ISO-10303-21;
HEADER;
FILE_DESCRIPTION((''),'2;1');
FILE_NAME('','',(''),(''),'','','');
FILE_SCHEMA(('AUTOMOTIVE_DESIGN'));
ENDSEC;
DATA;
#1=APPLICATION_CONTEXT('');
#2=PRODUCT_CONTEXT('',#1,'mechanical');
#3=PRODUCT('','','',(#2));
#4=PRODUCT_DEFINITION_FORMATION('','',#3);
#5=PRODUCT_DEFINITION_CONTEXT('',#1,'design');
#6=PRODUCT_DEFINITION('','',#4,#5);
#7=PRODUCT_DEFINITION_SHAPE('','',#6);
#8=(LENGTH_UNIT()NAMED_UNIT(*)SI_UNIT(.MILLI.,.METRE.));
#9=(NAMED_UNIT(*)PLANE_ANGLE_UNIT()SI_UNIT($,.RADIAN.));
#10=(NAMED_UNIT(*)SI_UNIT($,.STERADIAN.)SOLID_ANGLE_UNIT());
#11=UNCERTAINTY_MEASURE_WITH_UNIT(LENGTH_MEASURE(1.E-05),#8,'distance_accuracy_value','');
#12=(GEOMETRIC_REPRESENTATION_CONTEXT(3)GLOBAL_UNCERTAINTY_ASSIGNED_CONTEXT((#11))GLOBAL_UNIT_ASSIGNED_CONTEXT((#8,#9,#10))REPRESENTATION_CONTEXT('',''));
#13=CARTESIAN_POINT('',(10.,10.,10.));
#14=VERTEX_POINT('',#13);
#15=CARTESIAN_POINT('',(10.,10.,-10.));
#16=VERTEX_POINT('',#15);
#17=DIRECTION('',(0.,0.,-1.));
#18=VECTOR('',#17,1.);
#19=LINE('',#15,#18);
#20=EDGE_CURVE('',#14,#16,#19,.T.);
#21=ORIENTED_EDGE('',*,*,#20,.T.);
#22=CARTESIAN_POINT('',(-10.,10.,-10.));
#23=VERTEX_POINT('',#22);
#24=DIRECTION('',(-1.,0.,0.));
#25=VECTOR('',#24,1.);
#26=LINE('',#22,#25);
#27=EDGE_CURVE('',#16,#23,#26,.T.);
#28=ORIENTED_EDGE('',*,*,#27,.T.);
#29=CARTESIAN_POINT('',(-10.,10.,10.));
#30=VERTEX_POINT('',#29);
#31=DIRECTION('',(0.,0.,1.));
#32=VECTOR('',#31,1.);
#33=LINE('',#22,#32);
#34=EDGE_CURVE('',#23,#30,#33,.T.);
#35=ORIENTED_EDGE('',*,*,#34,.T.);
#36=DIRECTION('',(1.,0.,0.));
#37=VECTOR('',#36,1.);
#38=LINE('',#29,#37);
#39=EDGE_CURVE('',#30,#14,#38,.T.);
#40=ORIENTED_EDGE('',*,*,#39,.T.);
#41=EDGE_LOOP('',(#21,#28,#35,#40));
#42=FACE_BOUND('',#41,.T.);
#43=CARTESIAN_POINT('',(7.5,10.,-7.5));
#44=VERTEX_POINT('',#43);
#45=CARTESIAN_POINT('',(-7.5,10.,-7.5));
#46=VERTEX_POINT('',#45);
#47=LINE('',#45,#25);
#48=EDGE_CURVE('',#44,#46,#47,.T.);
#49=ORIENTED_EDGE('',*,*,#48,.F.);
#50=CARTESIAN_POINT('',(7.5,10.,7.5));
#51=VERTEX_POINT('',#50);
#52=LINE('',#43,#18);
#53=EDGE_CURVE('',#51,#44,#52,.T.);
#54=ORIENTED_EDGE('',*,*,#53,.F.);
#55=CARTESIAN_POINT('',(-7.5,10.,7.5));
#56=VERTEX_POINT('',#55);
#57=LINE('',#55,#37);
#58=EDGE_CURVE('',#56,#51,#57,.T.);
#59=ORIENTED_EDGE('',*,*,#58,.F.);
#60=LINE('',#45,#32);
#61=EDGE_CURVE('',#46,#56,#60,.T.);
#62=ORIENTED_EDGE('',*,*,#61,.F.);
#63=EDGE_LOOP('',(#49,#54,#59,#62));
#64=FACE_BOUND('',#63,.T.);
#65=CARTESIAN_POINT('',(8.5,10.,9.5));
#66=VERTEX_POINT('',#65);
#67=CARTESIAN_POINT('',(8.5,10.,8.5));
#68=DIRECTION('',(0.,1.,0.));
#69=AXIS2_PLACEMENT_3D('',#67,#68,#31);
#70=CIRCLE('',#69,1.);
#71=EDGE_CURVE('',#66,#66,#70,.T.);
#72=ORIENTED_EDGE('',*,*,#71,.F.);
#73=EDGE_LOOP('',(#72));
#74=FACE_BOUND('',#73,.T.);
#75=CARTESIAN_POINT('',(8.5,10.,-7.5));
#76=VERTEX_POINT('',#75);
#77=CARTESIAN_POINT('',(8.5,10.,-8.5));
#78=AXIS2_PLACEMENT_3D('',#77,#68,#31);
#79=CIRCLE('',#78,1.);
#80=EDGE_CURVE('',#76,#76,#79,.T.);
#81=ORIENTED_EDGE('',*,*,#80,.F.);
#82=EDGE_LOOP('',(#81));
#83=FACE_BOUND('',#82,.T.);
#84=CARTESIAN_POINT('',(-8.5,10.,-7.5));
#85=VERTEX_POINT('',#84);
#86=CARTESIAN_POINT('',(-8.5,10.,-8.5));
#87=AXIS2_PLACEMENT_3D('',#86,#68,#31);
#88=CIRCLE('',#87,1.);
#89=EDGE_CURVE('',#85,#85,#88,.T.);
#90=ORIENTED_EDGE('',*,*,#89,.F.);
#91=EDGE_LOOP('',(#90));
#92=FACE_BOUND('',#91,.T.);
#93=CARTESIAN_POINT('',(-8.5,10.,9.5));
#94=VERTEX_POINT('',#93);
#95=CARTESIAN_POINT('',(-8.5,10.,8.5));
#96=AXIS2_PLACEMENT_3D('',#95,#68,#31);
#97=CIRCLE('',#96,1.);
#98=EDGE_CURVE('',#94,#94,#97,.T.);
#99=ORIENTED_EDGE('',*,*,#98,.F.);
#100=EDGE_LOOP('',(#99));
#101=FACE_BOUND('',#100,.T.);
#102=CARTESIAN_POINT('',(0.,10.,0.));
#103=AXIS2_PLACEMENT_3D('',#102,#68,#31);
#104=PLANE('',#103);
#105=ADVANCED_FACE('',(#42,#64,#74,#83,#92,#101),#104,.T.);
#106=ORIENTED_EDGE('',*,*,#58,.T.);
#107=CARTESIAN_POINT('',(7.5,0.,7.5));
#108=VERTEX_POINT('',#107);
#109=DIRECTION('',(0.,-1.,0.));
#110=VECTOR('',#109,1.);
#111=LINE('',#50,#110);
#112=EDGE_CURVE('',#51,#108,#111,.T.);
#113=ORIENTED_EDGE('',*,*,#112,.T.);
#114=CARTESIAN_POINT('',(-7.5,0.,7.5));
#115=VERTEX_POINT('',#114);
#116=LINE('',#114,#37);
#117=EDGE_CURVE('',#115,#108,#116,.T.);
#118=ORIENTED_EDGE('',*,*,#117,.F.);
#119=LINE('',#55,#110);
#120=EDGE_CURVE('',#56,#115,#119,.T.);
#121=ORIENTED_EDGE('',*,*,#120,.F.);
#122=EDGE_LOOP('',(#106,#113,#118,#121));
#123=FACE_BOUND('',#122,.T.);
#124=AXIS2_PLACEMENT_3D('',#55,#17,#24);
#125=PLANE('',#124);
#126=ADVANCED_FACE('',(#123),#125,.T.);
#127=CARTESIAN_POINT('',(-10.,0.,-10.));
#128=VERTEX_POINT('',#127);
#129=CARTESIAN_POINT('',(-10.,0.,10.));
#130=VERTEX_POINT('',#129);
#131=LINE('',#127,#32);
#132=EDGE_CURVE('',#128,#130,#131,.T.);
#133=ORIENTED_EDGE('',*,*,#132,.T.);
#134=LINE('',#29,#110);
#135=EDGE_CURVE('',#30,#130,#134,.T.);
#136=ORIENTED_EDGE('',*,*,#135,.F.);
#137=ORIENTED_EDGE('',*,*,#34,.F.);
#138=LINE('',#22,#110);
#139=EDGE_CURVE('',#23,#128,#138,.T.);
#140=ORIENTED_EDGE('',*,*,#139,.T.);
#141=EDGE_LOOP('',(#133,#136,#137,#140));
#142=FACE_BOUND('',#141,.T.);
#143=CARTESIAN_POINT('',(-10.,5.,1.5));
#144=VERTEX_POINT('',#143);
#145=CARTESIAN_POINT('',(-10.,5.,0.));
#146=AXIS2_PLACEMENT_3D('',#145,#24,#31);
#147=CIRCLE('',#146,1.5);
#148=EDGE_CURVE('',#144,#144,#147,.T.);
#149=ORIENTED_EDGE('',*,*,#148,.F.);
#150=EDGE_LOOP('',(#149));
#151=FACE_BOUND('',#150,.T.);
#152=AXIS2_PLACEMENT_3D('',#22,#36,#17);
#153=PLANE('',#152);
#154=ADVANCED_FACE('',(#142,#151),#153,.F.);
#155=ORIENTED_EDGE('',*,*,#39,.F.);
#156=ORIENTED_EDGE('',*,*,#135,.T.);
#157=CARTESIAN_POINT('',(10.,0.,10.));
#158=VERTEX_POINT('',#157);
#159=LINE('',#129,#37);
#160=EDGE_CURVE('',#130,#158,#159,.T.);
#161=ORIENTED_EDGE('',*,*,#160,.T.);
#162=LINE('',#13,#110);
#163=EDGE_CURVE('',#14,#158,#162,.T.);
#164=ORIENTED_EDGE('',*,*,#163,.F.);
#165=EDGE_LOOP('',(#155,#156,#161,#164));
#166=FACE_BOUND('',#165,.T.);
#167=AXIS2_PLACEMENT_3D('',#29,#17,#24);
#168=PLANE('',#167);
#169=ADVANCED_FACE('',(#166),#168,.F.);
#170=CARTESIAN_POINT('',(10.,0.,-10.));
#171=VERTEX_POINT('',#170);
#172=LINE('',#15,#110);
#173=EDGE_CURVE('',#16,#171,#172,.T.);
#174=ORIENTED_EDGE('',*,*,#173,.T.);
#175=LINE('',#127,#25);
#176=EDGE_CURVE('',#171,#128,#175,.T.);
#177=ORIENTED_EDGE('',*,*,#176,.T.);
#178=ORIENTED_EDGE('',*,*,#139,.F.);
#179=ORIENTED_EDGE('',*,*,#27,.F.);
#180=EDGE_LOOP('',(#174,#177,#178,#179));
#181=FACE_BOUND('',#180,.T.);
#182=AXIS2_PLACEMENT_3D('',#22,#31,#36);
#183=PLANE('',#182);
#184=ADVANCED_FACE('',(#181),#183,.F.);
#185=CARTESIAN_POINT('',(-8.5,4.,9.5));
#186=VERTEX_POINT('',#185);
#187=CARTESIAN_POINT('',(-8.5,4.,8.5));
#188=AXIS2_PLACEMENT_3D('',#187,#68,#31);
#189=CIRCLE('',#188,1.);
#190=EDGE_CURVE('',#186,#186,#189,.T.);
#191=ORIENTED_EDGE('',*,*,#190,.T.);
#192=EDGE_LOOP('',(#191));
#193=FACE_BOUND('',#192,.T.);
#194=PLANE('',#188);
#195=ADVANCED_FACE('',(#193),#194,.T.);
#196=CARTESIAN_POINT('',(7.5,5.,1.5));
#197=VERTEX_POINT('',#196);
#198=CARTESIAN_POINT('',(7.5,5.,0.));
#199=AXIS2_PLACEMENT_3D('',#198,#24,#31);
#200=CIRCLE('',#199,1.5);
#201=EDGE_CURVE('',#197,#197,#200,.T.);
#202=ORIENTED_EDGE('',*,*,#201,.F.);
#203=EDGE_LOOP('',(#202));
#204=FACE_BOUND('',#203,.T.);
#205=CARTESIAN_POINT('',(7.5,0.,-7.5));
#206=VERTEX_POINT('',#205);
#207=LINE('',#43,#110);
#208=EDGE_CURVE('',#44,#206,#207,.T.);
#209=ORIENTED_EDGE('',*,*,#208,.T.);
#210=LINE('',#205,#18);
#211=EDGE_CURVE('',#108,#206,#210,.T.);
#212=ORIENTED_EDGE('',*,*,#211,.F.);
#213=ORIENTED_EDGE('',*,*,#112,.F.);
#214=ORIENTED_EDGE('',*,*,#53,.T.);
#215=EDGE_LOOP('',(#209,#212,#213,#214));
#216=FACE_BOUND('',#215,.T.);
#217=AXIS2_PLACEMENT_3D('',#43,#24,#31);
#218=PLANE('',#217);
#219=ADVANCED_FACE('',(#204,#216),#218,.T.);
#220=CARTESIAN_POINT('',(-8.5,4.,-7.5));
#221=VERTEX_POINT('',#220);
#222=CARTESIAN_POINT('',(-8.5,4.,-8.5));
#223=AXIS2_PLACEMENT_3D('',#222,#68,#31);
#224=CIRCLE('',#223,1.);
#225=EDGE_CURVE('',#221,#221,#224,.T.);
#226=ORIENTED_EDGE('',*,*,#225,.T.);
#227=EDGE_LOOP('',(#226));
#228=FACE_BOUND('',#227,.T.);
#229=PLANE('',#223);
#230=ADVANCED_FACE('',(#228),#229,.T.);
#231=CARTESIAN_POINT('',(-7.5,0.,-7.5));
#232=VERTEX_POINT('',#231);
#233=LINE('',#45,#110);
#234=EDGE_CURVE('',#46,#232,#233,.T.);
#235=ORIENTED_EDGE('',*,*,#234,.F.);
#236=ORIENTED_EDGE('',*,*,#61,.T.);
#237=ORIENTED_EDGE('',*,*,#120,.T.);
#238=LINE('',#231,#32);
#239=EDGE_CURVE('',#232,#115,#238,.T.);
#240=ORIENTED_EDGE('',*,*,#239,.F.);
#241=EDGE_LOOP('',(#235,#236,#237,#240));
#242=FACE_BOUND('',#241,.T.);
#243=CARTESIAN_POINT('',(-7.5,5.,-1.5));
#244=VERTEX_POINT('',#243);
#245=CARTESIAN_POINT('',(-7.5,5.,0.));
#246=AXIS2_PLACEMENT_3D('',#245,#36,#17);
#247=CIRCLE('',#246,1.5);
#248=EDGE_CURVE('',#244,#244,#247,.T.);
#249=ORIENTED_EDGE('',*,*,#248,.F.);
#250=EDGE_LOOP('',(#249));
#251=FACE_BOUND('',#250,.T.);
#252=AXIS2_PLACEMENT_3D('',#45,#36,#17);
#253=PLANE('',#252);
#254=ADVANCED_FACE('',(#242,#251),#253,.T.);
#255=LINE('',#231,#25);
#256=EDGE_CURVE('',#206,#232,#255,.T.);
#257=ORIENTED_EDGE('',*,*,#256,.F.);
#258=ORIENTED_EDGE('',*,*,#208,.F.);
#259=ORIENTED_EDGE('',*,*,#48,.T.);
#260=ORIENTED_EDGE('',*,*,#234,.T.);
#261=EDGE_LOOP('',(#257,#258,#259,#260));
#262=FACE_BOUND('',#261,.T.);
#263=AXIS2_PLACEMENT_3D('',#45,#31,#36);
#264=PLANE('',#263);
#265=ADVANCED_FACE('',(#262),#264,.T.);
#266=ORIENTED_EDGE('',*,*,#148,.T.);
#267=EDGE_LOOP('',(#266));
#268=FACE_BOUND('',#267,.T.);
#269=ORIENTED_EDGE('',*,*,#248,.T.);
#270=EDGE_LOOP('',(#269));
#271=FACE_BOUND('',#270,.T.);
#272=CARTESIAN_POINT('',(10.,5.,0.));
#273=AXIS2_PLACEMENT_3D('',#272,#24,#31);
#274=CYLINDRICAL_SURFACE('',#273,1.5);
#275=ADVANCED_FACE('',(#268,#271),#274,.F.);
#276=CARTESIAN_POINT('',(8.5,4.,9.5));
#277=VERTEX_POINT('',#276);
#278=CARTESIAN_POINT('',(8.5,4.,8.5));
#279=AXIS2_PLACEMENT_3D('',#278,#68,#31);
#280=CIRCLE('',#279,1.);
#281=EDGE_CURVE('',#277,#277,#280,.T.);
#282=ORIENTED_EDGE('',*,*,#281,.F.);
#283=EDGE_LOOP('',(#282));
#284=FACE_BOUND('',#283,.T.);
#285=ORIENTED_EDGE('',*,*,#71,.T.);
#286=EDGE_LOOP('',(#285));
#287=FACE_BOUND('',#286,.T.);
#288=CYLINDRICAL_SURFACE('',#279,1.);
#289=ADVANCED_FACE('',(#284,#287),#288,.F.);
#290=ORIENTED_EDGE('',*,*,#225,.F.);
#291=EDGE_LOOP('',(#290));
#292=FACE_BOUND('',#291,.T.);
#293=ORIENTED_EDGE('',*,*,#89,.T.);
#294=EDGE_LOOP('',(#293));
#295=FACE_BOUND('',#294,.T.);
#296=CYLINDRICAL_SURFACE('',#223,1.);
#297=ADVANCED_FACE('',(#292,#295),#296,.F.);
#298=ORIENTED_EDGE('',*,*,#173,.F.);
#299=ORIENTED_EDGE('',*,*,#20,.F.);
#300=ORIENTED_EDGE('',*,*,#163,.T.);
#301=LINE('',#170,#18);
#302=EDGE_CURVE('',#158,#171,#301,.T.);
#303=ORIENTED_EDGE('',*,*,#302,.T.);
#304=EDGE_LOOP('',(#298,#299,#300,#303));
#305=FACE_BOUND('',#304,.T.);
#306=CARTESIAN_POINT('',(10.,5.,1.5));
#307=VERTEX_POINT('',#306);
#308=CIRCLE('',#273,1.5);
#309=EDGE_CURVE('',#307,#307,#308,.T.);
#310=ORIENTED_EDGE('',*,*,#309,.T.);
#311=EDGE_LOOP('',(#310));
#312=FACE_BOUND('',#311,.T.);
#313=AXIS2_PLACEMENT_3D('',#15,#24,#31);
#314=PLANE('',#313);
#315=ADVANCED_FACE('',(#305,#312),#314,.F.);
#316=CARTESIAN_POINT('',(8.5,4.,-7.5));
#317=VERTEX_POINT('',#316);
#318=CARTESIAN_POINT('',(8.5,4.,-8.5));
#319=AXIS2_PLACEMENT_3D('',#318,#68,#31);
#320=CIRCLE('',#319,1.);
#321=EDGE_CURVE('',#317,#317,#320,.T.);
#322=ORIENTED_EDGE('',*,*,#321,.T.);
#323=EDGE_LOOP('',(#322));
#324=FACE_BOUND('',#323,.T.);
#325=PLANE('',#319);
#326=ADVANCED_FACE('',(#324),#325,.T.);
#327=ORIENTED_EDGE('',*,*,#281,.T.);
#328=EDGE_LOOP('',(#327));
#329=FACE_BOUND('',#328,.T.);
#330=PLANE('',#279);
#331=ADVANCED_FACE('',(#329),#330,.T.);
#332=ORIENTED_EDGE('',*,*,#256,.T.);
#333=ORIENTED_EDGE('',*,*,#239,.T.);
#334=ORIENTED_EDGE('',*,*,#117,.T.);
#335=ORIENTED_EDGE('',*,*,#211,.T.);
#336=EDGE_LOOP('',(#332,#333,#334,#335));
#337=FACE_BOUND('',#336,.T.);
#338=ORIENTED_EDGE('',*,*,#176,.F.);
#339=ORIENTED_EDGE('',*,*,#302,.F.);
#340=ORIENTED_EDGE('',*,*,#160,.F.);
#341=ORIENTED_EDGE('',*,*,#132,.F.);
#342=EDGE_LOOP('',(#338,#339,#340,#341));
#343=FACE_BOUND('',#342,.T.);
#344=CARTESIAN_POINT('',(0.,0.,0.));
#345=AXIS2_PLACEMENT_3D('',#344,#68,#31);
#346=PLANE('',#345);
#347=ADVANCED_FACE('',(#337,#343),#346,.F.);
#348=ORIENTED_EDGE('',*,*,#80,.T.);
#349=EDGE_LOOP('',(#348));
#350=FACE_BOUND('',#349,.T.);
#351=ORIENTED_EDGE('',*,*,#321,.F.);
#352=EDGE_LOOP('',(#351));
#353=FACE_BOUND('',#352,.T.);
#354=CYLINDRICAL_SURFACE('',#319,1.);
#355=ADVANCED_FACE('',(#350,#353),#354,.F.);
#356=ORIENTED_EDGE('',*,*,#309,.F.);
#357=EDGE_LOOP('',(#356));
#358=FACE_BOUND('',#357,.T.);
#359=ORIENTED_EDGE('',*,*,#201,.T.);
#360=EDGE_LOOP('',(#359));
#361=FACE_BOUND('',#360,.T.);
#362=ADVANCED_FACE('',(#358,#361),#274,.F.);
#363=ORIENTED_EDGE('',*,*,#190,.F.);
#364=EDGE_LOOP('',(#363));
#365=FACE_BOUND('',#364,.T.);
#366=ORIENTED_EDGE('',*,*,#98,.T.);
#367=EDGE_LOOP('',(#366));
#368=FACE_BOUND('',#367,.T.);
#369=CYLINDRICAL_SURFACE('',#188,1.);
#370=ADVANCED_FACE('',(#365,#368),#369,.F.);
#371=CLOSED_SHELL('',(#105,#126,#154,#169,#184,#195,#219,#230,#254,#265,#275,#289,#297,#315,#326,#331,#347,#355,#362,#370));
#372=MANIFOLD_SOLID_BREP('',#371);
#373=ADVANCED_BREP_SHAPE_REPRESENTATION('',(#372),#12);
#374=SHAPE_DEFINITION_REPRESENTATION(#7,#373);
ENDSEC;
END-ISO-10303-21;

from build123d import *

# Parameters (mm, degrees)
SKETCH1_W           = 20
SKETCH1_H           = 20
SKETCH1_W_2         = 15
SKETCH1_H_2         = 15
BOSS_EXTRUDE1_DEPTH = 10
SKETCH2_R           = 1.5
CUT_EXTRUDE1_DEPTH  = 25.494897428
SKETCH3_R           = 1
CUT_EXTRUDE2_DEPTH  = 6


with BuildPart() as part:
    # Sketch1 → Boss-Extrude1 (new body)
    with BuildSketch(Plane(origin=(0, 0, 0), x_dir=(1, 0, 0), z_dir=(0, 1, 0))):
        Rectangle(SKETCH1_W, SKETCH1_H)
        Rectangle(SKETCH1_W_2, SKETCH1_H_2, mode=Mode.SUBTRACT)
    extrude(amount=BOSS_EXTRUDE1_DEPTH)

    # Sketch2 → Cut-Extrude1 (cut, through all)
    with BuildSketch(Plane.ZY.offset(10)):
        with Locations((0, 5)):
            Circle(SKETCH2_R)
    extrude(amount=-CUT_EXTRUDE1_DEPTH, mode=Mode.SUBTRACT)

    # Sketch3 → Cut-Extrude2 (cut)
    with BuildSketch(Plane(origin=(0, 10, 0), x_dir=(1, 0, 0), z_dir=(0, 1, 0))):
        with Locations(Location((-8.5, 8.5, 0), (0, 0, 270))):
            Circle(SKETCH3_R)
        with Locations(Location((8.5, 8.5, 0), (0, 0, 270))):
            Circle(SKETCH3_R)
        with Locations(Location((8.5, -8.5, 0), (0, 0, 270))):
            Circle(SKETCH3_R)
        with Locations(Location((-8.5, -8.5, 0), (0, 0, 270))):
            Circle(SKETCH3_R)
    extrude(amount=-CUT_EXTRUDE2_DEPTH, mode=Mode.SUBTRACT)


solid = part.part
